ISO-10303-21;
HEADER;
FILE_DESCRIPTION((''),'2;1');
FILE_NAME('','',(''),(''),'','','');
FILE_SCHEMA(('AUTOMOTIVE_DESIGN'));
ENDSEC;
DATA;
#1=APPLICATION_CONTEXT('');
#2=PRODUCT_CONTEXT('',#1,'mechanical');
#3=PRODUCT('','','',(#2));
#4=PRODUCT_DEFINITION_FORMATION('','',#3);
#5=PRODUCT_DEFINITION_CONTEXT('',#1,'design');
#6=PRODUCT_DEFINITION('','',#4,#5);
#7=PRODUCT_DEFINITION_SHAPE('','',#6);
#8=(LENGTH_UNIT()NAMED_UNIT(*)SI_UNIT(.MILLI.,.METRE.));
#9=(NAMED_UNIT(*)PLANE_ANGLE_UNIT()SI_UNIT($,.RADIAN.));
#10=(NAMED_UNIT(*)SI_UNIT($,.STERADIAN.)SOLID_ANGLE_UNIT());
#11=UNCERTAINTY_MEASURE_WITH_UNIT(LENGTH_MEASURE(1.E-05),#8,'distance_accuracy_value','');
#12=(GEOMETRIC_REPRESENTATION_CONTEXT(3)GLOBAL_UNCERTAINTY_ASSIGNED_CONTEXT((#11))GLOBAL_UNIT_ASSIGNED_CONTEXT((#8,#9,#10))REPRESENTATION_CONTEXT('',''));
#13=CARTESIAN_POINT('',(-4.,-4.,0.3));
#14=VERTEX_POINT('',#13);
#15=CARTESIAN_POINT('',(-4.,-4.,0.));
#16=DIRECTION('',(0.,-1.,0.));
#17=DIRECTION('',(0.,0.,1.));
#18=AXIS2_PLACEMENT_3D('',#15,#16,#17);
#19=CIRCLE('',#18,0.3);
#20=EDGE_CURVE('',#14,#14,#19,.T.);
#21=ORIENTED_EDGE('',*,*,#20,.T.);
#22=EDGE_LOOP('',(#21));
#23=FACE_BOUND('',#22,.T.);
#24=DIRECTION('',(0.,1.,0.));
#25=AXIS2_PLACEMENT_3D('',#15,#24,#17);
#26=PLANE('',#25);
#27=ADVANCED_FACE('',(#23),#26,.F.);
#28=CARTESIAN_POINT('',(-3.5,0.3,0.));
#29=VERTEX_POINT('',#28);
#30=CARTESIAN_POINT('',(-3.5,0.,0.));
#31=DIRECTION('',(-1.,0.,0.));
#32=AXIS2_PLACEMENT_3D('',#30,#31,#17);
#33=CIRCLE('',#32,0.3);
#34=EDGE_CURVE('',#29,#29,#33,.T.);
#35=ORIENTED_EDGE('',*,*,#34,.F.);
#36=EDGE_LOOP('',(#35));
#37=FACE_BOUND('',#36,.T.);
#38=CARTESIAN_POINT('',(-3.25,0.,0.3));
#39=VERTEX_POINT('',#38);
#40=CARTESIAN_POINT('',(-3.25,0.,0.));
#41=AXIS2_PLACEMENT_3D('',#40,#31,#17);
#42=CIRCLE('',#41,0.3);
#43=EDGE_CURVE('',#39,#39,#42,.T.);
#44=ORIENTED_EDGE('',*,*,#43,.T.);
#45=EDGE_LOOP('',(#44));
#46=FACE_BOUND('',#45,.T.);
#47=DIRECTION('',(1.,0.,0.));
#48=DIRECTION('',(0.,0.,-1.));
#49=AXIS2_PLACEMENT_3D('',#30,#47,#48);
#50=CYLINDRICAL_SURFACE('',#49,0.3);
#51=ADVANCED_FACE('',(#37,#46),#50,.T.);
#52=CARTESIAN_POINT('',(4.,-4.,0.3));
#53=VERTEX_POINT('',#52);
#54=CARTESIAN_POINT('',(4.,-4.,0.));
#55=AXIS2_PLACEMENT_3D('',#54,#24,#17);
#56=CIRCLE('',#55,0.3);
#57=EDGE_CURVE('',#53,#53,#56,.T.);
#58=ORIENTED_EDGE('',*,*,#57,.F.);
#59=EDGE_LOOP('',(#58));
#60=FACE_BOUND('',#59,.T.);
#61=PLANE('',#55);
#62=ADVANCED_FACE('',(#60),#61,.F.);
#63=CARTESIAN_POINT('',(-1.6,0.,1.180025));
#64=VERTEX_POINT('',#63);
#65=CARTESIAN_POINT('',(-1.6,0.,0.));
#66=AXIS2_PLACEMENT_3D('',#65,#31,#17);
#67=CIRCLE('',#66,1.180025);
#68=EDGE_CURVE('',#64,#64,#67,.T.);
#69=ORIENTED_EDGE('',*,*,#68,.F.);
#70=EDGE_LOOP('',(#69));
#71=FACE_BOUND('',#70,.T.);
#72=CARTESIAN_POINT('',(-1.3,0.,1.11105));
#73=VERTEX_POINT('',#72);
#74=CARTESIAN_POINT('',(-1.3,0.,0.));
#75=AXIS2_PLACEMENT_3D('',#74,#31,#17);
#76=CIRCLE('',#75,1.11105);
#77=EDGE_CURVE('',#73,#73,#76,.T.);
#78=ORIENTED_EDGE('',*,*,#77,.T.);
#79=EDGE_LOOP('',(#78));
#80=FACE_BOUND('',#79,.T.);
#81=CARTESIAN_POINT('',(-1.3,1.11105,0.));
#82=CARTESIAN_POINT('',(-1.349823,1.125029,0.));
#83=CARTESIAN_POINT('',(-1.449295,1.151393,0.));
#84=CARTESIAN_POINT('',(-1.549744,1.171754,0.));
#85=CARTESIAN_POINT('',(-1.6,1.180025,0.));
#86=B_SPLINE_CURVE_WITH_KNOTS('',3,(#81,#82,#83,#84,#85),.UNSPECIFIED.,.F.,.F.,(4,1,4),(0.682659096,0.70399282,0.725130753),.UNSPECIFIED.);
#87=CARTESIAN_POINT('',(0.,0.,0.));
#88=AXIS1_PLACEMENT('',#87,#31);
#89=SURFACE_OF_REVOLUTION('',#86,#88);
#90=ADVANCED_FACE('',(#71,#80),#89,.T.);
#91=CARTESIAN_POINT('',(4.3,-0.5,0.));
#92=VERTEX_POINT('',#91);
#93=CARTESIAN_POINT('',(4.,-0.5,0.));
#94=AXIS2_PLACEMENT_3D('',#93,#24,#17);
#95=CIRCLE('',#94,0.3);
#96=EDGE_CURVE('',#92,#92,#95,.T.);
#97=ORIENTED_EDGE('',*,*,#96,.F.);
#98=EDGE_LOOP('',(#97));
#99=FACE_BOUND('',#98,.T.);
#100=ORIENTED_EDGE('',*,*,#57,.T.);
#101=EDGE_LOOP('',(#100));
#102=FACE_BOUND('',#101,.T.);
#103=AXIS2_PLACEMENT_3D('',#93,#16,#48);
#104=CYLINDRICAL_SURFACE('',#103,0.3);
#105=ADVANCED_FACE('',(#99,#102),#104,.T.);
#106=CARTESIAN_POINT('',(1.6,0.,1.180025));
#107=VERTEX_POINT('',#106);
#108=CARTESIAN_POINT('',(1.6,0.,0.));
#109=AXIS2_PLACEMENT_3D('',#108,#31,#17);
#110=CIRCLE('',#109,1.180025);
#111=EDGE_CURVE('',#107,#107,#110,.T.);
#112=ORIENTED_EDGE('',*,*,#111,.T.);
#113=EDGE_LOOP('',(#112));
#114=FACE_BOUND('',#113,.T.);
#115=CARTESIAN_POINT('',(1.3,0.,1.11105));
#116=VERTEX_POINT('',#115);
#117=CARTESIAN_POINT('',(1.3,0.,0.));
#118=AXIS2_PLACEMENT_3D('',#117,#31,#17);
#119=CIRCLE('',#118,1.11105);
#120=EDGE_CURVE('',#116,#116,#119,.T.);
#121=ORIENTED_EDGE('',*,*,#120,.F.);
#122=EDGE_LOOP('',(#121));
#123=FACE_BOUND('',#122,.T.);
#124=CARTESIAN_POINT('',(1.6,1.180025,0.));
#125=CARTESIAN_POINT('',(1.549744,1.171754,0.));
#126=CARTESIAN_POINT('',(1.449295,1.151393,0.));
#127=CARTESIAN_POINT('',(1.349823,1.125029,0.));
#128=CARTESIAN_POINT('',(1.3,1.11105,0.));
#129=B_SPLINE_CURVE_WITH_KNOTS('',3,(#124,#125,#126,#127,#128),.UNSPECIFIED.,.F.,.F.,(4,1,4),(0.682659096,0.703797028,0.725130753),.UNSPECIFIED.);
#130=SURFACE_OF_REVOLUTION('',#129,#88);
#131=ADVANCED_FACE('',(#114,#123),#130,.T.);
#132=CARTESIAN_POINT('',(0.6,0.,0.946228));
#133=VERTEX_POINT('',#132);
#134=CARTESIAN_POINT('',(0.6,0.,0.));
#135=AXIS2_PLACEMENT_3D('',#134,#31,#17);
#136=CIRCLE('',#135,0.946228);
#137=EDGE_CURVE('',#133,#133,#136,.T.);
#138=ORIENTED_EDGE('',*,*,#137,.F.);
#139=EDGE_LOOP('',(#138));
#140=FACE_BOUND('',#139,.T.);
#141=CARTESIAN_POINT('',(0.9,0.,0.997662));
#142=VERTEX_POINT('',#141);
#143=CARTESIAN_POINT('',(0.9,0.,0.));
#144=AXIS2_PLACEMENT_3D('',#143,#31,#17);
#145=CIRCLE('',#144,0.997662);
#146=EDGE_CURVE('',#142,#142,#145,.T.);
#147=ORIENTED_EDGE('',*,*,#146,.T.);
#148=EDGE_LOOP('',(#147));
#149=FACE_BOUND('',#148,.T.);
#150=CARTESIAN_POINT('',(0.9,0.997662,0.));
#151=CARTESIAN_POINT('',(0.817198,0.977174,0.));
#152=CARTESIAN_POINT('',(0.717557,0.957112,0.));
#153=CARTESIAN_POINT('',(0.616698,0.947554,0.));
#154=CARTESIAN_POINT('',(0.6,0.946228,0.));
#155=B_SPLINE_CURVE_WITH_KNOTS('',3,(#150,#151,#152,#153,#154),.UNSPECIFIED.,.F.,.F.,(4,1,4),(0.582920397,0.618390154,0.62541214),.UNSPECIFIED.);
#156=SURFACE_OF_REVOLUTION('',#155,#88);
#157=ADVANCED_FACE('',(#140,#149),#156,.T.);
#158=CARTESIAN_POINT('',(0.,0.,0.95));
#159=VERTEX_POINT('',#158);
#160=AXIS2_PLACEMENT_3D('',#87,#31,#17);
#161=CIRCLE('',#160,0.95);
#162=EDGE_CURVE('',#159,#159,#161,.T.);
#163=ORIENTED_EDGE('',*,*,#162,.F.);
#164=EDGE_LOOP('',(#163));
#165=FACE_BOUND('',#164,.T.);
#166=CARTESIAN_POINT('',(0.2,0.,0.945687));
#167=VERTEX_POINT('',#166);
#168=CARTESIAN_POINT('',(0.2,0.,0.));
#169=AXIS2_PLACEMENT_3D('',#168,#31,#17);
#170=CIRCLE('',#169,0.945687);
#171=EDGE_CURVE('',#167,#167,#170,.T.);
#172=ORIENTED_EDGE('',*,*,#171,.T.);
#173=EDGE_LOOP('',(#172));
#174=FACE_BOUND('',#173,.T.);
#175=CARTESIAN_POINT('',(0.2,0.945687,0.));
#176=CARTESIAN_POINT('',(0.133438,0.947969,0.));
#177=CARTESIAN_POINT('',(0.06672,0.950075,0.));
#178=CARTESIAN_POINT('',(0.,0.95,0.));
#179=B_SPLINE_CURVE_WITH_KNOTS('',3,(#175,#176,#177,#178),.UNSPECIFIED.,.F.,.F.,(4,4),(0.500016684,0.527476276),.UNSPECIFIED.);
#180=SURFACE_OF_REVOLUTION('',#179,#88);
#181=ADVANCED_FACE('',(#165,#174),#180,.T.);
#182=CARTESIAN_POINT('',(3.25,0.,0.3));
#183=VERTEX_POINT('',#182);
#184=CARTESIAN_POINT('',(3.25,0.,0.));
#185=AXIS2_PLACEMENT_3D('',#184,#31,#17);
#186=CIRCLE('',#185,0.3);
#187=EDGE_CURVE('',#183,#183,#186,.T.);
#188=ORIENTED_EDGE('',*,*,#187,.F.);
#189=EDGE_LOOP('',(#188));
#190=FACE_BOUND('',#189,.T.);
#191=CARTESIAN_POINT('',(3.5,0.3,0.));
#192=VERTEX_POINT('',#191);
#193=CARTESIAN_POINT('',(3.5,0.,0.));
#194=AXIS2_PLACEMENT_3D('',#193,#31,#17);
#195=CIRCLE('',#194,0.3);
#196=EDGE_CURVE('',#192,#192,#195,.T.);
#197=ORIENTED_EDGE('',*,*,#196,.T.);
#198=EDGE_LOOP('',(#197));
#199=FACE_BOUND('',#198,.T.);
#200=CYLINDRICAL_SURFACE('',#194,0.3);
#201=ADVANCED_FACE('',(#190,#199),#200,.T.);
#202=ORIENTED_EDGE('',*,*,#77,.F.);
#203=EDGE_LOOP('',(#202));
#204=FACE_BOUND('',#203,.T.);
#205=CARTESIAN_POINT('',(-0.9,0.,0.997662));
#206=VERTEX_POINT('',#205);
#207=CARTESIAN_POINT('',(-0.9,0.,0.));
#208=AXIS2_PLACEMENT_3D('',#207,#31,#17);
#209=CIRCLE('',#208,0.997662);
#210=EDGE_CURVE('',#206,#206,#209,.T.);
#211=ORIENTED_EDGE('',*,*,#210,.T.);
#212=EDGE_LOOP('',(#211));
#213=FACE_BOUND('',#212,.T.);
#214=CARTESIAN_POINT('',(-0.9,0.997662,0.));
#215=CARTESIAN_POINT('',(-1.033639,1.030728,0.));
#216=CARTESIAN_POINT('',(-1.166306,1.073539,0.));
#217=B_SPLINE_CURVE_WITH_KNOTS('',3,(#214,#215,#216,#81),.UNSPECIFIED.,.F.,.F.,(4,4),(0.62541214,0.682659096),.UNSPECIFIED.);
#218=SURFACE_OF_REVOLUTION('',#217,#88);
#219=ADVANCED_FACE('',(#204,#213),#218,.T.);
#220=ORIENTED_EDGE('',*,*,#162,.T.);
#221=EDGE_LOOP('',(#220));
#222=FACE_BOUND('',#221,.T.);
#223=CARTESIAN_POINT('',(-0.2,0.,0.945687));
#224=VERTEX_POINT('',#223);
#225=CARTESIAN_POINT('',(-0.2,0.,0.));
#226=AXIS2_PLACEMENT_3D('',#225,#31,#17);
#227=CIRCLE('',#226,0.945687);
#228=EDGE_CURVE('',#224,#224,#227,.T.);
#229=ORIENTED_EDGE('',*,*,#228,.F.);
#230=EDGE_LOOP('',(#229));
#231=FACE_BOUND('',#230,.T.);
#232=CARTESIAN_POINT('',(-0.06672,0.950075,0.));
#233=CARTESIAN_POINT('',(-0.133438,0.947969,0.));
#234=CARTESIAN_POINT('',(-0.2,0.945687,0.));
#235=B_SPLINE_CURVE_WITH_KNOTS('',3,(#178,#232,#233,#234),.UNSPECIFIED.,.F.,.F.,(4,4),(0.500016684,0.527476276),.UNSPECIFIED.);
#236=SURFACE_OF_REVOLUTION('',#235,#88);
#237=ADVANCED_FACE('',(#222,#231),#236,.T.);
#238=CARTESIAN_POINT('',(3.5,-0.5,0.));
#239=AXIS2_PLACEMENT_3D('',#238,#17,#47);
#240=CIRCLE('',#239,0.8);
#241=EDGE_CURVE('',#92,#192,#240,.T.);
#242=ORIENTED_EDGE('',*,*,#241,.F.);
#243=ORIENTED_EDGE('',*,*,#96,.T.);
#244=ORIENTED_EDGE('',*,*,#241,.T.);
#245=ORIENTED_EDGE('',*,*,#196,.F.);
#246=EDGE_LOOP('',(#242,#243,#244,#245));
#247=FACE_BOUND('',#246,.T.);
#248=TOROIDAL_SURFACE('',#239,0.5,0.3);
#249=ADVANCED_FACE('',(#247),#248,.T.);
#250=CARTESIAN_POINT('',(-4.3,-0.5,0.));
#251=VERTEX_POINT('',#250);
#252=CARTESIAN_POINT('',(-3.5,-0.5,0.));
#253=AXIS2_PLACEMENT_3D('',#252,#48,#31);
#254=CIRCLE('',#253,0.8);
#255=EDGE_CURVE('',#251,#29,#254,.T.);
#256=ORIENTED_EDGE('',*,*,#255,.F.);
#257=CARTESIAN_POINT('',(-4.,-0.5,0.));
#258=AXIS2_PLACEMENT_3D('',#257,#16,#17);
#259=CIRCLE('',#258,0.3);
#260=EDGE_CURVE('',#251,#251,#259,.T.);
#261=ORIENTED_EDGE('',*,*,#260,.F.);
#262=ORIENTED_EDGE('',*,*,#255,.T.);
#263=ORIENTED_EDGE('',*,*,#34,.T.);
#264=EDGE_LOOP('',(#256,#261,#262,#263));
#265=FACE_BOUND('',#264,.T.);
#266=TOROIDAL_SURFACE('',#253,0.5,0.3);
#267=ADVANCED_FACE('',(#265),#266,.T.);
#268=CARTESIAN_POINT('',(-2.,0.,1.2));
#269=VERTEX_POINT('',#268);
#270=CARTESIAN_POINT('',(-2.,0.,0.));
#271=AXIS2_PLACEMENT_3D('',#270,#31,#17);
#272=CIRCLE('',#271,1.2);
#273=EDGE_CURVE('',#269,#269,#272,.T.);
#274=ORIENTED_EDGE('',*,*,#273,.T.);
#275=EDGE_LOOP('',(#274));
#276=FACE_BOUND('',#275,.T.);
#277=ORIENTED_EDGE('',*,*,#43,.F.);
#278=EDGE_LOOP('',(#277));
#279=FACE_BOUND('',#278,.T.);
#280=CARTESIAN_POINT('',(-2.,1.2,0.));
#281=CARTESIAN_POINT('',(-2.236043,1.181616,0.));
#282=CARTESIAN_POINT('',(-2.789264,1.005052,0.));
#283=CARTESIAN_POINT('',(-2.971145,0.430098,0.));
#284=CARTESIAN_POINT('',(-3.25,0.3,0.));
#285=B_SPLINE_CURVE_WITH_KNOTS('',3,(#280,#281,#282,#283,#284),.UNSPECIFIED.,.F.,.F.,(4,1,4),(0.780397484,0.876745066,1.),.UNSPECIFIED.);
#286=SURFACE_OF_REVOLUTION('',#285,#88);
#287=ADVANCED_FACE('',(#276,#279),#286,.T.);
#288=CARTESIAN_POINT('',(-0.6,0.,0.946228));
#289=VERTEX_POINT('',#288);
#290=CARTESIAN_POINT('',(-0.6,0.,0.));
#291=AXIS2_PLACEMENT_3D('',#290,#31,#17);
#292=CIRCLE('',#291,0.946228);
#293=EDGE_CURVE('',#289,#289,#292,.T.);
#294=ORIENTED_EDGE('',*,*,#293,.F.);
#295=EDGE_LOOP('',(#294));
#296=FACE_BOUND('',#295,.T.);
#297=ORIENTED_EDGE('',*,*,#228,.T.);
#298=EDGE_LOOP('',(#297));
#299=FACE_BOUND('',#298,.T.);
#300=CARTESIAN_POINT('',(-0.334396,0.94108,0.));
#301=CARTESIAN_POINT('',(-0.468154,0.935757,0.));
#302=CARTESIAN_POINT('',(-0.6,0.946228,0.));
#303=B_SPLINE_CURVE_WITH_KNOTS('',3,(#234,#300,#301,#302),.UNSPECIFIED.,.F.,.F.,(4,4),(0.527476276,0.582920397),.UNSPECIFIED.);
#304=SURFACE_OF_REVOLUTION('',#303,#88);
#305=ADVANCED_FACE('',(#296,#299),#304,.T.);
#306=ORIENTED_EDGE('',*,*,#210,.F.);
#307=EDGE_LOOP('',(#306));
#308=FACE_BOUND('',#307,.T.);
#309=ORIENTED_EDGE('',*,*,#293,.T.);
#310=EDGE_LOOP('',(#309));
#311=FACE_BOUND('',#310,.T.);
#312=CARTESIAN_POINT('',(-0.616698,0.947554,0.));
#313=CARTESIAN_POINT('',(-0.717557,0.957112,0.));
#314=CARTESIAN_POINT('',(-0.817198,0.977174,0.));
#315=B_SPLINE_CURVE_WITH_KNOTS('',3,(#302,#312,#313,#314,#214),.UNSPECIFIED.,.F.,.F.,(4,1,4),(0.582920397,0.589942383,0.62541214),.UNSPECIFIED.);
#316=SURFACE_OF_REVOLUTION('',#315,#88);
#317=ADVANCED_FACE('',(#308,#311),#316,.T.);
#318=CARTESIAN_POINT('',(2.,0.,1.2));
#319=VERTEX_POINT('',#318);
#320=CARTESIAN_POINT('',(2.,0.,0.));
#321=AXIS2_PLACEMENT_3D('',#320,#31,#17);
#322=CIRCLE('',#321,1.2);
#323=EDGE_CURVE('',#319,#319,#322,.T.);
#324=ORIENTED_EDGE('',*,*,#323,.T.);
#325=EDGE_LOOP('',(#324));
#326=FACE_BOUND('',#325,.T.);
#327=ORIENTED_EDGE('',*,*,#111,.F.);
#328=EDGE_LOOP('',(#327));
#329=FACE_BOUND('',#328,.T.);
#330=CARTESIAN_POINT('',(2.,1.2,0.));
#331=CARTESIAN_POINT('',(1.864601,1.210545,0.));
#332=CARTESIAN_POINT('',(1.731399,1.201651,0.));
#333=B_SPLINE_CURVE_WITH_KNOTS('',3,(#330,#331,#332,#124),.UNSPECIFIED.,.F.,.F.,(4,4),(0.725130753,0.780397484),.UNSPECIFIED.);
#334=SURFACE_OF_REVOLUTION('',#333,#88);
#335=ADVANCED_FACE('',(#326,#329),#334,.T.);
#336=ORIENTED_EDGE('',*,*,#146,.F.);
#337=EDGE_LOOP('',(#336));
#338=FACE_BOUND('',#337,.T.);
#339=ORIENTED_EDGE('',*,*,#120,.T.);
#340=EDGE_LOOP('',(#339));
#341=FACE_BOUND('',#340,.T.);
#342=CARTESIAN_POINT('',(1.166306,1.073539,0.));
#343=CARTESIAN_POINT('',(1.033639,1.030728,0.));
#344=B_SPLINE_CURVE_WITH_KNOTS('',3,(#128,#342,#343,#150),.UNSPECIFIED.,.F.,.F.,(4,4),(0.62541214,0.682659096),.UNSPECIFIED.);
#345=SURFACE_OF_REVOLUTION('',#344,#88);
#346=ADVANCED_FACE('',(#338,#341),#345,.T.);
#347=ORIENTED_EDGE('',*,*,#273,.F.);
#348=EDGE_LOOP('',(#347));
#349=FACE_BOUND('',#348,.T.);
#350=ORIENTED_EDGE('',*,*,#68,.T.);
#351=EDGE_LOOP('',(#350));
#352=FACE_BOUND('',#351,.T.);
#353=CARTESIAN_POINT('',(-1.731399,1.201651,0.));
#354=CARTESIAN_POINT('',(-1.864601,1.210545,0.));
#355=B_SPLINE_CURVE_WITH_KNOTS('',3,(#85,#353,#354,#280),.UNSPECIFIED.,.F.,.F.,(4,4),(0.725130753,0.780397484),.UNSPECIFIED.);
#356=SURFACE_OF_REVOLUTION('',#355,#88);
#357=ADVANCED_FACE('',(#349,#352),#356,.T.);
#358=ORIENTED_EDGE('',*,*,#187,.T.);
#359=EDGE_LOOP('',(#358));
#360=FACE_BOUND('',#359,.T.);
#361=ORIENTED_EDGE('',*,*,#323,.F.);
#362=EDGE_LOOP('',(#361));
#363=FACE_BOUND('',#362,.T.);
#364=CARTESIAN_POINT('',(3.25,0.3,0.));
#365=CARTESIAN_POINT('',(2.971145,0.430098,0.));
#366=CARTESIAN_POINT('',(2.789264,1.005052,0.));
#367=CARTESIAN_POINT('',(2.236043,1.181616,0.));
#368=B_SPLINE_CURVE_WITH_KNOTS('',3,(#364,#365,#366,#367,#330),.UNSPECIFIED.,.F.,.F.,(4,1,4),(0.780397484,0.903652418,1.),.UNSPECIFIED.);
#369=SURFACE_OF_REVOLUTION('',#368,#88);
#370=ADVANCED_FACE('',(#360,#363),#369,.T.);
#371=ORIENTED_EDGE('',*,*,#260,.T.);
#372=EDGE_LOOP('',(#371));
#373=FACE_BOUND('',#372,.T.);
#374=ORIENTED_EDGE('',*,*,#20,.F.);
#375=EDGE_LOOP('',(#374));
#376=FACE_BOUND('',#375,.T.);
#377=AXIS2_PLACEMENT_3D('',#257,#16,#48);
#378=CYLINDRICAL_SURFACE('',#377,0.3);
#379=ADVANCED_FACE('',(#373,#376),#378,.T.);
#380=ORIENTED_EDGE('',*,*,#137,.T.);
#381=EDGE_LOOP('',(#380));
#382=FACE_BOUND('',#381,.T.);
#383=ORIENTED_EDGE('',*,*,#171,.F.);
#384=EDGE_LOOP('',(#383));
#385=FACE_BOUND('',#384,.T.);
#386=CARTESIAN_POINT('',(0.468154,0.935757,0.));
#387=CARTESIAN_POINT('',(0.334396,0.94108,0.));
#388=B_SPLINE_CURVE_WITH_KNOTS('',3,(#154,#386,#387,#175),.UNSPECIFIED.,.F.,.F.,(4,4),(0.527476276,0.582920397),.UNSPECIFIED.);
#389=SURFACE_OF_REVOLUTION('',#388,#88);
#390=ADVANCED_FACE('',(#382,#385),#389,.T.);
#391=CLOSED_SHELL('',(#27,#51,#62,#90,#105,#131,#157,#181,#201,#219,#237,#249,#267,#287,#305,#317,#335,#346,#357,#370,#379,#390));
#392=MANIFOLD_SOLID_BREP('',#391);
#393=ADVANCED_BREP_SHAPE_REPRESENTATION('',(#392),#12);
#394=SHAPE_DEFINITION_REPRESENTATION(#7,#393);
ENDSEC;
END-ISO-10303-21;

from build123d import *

# Parameters (mm, degrees)
SKETCH_5_R = 0.3


with BuildPart() as part:
    # Эскиз3 → Повернуть2 (revolve)
    with BuildSketch(Plane.XY):
        with BuildLine():
            Line((0, 0), (-3.25, 0))
            Line((-3.25, 0), (-3.25, 0.3))
            add(Edge.make_bspline(
                [(-2.000000082, 1.199999952), (-2.23604302, 1.181615986), (-2.789263679, 1.00505202), (-2.971144892, 0.430097598), (-3.25, 0.3)],
                knots=[0.780397484, 0.780397484, 0.780397484, 0.780397484, 0.876745066, 1, 1, 1, 1], degree=3))
            add(Edge.make_bspline(
                [(-1.6, 1.180025241), (-1.731399218, 1.201650855), (-1.864601443, 1.21054538), (-2.000000082, 1.199999952)],
                knots=[0.725130753, 0.725130753, 0.725130753, 0.725130753, 0.780397484, 0.780397484, 0.780397484, 0.780397484], degree=3))
            add(Edge.make_bspline(
                [(-1.3, 1.111050082), (-1.34982276, 1.125028982), (-1.449295193, 1.15139314), (-1.549743584, 1.171754066), (-1.6, 1.180025241)],
                knots=[0.682659096, 0.682659096, 0.682659096, 0.682659096, 0.70399282, 0.725130753, 0.725130753, 0.725130753, 0.725130753], degree=3))
            add(Edge.make_bspline(
                [(-0.9, 0.997661651), (-1.033638838, 1.030728014), (-1.166305516, 1.073539075), (-1.3, 1.111050082)],
                knots=[0.62541214, 0.62541214, 0.62541214, 0.62541214, 0.682659096, 0.682659096, 0.682659096, 0.682659096], degree=3))
            add(Edge.make_bspline(
                [(-0.6, 0.946228082), (-0.616698211, 0.947554212), (-0.71755748, 0.957111909), (-0.817198443, 0.977173996), (-0.9, 0.997661651)],
                knots=[0.582920397, 0.582920397, 0.582920397, 0.582920397, 0.589942383, 0.62541214, 0.62541214, 0.62541214, 0.62541214], degree=3))
            add(Edge.make_bspline(
                [(-0.2, 0.945686937), (-0.334396136, 0.941079864), (-0.468154451, 0.935757238), (-0.6, 0.946228082)],
                knots=[0.527476276, 0.527476276, 0.527476276, 0.527476276, 0.582920397, 0.582920397, 0.582920397, 0.582920397], degree=3))
            add(Edge.make_bspline(
                [(0, 0.95), (-0.066719861, 0.950074874), (-0.133438155, 0.947968664), (-0.2, 0.945686937)],
                knots=[0.500016684, 0.500016684, 0.500016684, 0.500016684, 0.527476276, 0.527476276, 0.527476276, 0.527476276], degree=3))
            add(Edge.make_bspline(
                [(0, 0.95), (0.066719861, 0.950074874), (0.133438155, 0.947968664), (0.2, 0.945686937)],
                knots=[0.500016684, 0.500016684, 0.500016684, 0.500016684, 0.527476276, 0.527476276, 0.527476276, 0.527476276], degree=3))
            add(Edge.make_bspline(
                [(0.2, 0.945686937), (0.334396136, 0.941079864), (0.468154451, 0.935757238), (0.6, 0.946228082)],
                knots=[0.527476276, 0.527476276, 0.527476276, 0.527476276, 0.582920397, 0.582920397, 0.582920397, 0.582920397], degree=3))
            add(Edge.make_bspline(
                [(0.6, 0.946228082), (0.616698211, 0.947554212), (0.71755748, 0.957111909), (0.817198443, 0.977173996), (0.9, 0.997661651)],
                knots=[0.582920397, 0.582920397, 0.582920397, 0.582920397, 0.589942383, 0.62541214, 0.62541214, 0.62541214, 0.62541214], degree=3))
            add(Edge.make_bspline(
                [(0.9, 0.997661651), (1.033638838, 1.030728014), (1.166305516, 1.073539075), (1.3, 1.111050082)],
                knots=[0.62541214, 0.62541214, 0.62541214, 0.62541214, 0.682659096, 0.682659096, 0.682659096, 0.682659096], degree=3))
            add(Edge.make_bspline(
                [(1.3, 1.111050082), (1.34982276, 1.125028982), (1.449295193, 1.15139314), (1.549743584, 1.171754066), (1.6, 1.180025241)],
                knots=[0.682659096, 0.682659096, 0.682659096, 0.682659096, 0.70399282, 0.725130753, 0.725130753, 0.725130753, 0.725130753], degree=3))
            add(Edge.make_bspline(
                [(1.6, 1.180025241), (1.731399218, 1.201650855), (1.864601443, 1.21054538), (2, 1.2)],
                knots=[0.725130753, 0.725130753, 0.725130753, 0.725130753, 0.780397484, 0.780397484, 0.780397484, 0.780397484], degree=3))
            add(Edge.make_bspline(
                [(2, 1.2), (2.23604302, 1.181615986), (2.789263679, 1.00505202), (2.971144892, 0.430097598), (3.25, 0.3)],
                knots=[0.780397484, 0.780397484, 0.780397484, 0.780397484, 0.876745066, 1, 1, 1, 1], degree=3))
            Line((3.25, 0.3), (3.25, 0))
            Line((3.25, 0), (0, 0))
        make_face()
    revolve(axis=Axis((0, 0, 0), (1, 0, 0)))

    # По траектории2: sweep along a path in Эскиз4
    with BuildLine(Plane.XY) as sweep_2_path:
        Line((2.987274619, 0), (3.5, 0))
        ThreePointArc((3.5, 0), (3.853553391, -0.146446609), (4, -0.5))
        Line((4, -0.5), (4, -4))
    # Эскиз5 → По траектории2 (sweep)
    with BuildSketch(Plane(origin=(0, -4, 0), x_dir=(1, 0, 0), z_dir=(0, 1, 0))):
        with Locations((4, 0)):
            Circle(SKETCH_5_R)
    sweep_2 = sweep(path=sweep_2_path.line)

    # Зеркальное отражение1: По траектории2 across plane
    add(sweep_2.mirror(Plane(origin=(0, 0, 0), x_dir=(0, 0, 1), z_dir=(1, 0, 0))))


solid = part.part
